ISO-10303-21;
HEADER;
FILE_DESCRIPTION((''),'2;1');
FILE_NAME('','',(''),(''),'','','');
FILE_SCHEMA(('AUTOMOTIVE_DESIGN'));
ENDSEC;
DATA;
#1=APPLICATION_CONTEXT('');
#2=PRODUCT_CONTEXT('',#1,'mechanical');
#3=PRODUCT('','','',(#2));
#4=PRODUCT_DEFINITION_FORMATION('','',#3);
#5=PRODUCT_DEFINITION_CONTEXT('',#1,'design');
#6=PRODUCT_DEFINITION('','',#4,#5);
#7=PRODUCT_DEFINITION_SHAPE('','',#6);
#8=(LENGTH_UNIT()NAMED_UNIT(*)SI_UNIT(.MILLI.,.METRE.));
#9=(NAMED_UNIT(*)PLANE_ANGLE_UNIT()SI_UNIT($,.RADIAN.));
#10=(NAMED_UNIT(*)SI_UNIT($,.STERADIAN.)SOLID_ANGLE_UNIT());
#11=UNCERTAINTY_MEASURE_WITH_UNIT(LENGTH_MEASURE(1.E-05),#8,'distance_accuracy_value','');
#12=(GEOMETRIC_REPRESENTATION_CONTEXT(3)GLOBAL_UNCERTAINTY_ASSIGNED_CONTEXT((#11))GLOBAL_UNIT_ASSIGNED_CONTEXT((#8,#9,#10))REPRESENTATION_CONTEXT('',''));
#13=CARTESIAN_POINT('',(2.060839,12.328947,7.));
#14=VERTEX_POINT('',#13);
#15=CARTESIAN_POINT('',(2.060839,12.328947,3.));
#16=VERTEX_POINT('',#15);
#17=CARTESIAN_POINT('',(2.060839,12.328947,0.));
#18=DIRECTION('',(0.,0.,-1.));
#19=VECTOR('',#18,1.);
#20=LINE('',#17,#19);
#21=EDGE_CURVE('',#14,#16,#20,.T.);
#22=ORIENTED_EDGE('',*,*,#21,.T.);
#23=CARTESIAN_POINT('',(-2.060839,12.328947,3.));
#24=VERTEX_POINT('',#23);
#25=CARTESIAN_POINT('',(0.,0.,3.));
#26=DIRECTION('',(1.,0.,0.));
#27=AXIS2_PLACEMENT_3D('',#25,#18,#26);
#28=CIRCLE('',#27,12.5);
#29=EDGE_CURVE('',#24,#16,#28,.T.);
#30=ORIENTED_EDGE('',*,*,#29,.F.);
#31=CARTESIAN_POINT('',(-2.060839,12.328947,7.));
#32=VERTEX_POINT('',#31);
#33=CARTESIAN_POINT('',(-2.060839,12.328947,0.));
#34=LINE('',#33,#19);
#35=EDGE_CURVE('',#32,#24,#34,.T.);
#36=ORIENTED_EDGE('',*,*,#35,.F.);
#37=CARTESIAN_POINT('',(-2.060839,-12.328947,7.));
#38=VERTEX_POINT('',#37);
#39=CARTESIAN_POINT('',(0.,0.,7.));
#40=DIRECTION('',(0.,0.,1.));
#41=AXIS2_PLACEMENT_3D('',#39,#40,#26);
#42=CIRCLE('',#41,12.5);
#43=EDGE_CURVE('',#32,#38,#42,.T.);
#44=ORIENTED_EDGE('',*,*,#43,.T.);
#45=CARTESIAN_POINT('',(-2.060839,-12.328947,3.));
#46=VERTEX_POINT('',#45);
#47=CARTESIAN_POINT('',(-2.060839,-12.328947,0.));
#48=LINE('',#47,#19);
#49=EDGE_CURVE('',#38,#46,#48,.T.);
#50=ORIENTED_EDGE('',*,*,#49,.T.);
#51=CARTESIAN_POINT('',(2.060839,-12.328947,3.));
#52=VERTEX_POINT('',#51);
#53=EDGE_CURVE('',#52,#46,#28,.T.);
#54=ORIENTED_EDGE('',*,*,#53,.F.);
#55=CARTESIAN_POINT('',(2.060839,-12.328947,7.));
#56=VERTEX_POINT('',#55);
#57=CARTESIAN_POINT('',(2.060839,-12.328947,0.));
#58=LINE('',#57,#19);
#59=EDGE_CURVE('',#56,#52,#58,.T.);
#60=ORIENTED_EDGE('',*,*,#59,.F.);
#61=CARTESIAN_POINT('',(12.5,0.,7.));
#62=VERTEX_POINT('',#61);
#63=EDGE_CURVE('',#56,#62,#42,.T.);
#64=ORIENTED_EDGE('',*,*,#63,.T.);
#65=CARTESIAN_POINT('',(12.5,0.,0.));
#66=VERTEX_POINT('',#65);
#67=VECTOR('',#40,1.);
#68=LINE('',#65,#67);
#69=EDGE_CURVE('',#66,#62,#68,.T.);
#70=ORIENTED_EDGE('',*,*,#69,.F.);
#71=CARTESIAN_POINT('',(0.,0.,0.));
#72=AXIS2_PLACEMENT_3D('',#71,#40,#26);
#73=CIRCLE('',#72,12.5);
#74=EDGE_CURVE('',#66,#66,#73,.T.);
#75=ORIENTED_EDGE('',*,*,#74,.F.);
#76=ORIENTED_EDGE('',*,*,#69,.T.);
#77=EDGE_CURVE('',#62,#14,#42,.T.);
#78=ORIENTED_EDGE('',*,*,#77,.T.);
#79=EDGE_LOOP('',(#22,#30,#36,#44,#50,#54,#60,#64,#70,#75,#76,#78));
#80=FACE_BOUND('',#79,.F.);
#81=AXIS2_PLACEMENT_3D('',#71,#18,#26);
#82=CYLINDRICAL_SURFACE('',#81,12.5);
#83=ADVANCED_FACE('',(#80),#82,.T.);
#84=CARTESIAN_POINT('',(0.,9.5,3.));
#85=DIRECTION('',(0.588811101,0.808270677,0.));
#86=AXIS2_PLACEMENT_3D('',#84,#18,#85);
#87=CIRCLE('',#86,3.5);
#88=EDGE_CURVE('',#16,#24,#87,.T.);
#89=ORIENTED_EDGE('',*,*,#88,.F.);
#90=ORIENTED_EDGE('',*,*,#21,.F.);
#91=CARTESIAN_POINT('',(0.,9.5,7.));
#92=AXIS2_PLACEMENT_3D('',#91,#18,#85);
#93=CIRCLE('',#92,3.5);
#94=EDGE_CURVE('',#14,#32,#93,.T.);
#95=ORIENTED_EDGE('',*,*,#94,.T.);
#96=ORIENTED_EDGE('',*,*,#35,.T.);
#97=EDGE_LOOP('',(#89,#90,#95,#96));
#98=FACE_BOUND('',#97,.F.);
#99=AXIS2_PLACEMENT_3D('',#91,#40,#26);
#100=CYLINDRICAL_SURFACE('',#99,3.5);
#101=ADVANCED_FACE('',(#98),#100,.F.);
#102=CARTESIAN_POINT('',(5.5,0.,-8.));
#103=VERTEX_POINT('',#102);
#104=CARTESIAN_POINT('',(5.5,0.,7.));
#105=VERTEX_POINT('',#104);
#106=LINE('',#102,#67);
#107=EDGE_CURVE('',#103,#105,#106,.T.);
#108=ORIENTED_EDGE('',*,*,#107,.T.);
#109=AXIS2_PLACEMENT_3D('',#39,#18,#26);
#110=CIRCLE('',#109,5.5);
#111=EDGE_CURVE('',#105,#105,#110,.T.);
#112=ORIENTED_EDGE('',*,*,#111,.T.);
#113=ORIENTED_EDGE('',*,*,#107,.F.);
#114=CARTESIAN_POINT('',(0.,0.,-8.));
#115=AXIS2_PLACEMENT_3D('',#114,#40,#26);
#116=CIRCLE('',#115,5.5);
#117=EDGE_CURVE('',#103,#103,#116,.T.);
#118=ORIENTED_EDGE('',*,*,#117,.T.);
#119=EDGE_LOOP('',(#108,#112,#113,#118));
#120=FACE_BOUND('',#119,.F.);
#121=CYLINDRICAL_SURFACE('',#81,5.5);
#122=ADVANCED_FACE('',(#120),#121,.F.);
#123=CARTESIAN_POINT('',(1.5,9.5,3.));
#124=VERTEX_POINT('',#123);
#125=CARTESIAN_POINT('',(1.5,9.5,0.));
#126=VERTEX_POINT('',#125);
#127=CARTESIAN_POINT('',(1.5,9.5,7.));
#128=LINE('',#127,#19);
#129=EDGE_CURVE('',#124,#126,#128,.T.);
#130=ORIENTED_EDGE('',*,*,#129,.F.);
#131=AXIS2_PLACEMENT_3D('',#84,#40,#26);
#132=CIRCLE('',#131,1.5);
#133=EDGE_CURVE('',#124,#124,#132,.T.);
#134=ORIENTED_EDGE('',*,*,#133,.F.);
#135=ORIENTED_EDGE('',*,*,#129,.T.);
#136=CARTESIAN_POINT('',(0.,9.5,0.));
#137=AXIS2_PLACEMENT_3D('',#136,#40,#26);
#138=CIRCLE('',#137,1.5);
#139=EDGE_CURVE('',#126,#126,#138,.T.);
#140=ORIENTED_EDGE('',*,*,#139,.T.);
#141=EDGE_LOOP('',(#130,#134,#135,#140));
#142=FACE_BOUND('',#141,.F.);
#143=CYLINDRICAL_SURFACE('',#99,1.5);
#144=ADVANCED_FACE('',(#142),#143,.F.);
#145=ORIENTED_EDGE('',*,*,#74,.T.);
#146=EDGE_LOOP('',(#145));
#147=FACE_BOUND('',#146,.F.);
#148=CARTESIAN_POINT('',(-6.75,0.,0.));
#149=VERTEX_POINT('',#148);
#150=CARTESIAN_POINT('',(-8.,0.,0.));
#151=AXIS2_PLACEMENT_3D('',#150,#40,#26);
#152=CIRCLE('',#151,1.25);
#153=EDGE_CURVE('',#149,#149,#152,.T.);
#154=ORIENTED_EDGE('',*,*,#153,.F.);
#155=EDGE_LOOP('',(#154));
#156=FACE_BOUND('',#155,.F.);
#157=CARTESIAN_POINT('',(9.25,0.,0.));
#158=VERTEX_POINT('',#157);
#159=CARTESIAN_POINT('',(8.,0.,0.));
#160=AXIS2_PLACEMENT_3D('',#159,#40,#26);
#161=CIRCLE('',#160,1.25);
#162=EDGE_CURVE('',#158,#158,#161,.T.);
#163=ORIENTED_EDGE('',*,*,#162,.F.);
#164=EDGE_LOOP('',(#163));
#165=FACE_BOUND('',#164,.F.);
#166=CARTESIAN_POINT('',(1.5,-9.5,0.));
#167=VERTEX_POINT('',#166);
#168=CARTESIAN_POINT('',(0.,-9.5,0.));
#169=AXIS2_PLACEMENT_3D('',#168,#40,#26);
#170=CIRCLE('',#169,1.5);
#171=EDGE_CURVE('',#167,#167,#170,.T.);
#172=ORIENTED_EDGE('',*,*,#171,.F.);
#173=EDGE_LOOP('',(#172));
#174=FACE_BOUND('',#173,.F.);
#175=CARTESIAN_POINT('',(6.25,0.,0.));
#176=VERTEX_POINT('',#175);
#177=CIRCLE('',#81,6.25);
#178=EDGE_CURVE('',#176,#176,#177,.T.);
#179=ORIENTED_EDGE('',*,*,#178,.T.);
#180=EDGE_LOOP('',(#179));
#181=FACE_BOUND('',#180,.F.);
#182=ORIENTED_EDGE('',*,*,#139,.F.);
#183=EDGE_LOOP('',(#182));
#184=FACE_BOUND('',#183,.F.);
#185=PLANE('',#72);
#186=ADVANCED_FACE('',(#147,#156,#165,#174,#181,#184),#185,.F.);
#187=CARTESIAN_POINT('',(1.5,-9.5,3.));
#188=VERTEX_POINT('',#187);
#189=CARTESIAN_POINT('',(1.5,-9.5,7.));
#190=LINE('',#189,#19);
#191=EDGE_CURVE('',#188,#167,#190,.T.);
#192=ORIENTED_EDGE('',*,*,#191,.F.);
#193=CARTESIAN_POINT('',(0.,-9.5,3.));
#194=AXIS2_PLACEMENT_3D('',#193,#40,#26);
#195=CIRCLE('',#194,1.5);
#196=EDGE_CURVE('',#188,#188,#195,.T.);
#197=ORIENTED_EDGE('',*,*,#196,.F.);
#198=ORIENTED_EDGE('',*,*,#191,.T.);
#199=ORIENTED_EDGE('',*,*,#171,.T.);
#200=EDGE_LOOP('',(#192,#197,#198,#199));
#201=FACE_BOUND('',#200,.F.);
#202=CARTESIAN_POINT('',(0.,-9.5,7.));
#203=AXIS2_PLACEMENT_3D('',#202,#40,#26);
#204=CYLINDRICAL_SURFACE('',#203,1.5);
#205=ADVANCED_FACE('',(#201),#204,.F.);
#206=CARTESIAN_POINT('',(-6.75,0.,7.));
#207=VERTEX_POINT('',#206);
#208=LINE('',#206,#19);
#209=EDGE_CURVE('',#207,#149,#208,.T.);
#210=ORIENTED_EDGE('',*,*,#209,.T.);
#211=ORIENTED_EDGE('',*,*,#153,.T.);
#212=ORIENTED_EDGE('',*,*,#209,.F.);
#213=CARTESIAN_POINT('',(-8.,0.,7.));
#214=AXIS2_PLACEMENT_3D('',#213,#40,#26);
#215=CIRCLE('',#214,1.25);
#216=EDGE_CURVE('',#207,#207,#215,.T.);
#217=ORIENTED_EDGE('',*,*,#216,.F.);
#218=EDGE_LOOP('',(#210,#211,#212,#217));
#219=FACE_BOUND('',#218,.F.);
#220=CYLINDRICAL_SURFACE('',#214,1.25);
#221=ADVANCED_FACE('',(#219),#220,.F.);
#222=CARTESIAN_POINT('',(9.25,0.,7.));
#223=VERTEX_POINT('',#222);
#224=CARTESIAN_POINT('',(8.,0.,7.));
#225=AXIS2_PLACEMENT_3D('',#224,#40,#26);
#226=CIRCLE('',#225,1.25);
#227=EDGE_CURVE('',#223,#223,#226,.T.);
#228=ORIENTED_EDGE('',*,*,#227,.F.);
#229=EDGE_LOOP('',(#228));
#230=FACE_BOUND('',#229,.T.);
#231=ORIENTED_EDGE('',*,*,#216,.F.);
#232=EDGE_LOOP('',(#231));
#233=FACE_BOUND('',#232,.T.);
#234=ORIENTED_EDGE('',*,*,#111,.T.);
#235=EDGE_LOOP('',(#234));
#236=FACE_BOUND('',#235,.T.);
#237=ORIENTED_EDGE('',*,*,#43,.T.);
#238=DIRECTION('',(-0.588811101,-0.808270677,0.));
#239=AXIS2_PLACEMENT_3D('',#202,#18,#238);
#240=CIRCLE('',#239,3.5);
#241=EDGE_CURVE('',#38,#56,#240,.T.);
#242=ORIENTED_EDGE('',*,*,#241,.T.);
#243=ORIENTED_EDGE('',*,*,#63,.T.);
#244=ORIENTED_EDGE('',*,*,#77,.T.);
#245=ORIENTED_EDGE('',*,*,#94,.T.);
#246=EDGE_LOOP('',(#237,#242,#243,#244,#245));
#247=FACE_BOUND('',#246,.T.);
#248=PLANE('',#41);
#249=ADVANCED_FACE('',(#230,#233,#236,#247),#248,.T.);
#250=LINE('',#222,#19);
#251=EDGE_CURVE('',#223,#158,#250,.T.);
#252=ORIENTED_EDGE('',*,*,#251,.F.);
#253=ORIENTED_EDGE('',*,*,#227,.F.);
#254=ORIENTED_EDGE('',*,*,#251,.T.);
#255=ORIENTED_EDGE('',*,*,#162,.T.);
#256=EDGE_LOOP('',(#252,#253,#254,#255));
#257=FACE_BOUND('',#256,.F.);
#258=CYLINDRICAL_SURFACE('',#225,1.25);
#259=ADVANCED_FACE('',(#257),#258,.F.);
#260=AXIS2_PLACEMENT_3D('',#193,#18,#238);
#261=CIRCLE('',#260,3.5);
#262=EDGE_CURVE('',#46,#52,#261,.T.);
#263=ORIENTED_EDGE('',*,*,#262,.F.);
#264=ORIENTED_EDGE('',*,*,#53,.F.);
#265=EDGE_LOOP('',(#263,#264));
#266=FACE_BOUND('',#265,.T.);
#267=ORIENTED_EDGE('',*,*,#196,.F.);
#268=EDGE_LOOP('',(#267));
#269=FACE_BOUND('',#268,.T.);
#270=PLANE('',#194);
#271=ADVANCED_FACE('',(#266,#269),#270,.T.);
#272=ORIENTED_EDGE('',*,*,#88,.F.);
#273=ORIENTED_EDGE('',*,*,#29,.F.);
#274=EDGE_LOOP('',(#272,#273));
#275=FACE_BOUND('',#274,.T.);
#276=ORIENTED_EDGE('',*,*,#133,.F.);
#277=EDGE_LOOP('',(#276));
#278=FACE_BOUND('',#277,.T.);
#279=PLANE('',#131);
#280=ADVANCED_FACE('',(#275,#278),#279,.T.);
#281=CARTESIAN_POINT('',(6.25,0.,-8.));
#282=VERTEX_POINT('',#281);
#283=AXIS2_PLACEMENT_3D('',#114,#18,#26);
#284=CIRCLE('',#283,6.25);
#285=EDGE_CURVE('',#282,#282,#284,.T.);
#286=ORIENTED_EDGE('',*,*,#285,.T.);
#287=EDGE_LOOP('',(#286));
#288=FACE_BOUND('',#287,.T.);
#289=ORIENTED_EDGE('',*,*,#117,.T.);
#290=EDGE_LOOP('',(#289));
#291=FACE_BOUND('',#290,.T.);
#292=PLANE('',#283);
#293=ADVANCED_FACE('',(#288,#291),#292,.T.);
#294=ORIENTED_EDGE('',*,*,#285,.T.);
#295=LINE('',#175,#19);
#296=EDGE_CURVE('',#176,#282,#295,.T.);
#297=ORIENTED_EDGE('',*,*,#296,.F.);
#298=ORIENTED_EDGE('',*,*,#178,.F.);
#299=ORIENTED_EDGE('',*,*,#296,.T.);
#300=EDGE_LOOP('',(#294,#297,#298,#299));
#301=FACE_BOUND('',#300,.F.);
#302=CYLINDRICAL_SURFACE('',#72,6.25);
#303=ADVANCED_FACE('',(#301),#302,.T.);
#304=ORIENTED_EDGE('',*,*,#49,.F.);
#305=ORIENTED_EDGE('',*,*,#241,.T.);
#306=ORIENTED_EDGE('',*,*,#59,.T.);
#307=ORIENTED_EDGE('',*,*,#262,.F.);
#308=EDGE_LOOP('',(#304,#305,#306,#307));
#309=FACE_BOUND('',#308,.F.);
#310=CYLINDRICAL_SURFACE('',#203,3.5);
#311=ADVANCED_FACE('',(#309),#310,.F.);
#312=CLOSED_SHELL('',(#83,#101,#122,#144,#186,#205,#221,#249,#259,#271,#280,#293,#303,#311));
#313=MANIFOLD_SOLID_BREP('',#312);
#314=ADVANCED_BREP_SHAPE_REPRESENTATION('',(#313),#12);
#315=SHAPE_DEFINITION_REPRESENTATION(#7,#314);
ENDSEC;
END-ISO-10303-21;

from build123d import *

# Parameters (mm, degrees)
F0_R          = 12.5
F1_DEPTH      = 7
F2_R          = 1.5
F3_DEPTH      = 7.001
F4_R          = 3.5
F5_DEPTH      = 4
F6_R          = 6.25
F6_R_2        = 5
F7_DEPTH      = 8
F8_R          = 5.5
F9_DEPTH      = 7.001
F9_DEPTH_BACK = 8.001
F10_R         = 1.25
F11_DEPTH     = 15.001


with BuildPart() as f1:
    # F0 (on Top) → F1 (new body)
    with BuildSketch(Plane.XY):
        Circle(F0_R)
    extrude(amount=F1_DEPTH)

    # F2 (on face) → F3 (cut, through all)
    with BuildSketch(Plane.XY.offset(7)):
        with Locations((0, 9.5)):
            Circle(F2_R)
        with Locations((0, -9.5)):
            Circle(F2_R)
    extrude(amount=-F3_DEPTH, mode=Mode.SUBTRACT)

    # F4 (on face) → F5 (cut, through all)
    with BuildSketch(Plane.XY.offset(7)):
        with Locations((0, 9.5)):
            Circle(F4_R)
        with Locations((0, -9.5)):
            Circle(F4_R)
    extrude(amount=-F5_DEPTH, mode=Mode.SUBTRACT)

    # F6 (on face) → F7 (join)
    with BuildSketch(Plane(origin=(0, 0, 0), x_dir=(1, 0, 0), z_dir=(0, 0, -1))):
        Circle(F6_R)
        Circle(F6_R_2, mode=Mode.SUBTRACT)
    extrude(amount=F7_DEPTH)

    # F8 (on face) → F9 (cut, two sides)
    with BuildSketch(Plane(origin=(0, 0, 0), x_dir=(1, 0, 0), z_dir=(0, 0, -1))) as f9_sk:
        Circle(F8_R)
    extrude(amount=-F9_DEPTH, mode=Mode.SUBTRACT)
    extrude(f9_sk.sketch, amount=F9_DEPTH_BACK, mode=Mode.SUBTRACT)

    # F10 (on face) → F11 (cut, through all)
    with BuildSketch(Plane.XY.offset(7)):
        with Locations((8, 0)):
            Circle(F10_R)
        with Locations((-8, 0)):
            Circle(F10_R)
    extrude(amount=-F11_DEPTH, mode=Mode.SUBTRACT)


solid = f1.part
